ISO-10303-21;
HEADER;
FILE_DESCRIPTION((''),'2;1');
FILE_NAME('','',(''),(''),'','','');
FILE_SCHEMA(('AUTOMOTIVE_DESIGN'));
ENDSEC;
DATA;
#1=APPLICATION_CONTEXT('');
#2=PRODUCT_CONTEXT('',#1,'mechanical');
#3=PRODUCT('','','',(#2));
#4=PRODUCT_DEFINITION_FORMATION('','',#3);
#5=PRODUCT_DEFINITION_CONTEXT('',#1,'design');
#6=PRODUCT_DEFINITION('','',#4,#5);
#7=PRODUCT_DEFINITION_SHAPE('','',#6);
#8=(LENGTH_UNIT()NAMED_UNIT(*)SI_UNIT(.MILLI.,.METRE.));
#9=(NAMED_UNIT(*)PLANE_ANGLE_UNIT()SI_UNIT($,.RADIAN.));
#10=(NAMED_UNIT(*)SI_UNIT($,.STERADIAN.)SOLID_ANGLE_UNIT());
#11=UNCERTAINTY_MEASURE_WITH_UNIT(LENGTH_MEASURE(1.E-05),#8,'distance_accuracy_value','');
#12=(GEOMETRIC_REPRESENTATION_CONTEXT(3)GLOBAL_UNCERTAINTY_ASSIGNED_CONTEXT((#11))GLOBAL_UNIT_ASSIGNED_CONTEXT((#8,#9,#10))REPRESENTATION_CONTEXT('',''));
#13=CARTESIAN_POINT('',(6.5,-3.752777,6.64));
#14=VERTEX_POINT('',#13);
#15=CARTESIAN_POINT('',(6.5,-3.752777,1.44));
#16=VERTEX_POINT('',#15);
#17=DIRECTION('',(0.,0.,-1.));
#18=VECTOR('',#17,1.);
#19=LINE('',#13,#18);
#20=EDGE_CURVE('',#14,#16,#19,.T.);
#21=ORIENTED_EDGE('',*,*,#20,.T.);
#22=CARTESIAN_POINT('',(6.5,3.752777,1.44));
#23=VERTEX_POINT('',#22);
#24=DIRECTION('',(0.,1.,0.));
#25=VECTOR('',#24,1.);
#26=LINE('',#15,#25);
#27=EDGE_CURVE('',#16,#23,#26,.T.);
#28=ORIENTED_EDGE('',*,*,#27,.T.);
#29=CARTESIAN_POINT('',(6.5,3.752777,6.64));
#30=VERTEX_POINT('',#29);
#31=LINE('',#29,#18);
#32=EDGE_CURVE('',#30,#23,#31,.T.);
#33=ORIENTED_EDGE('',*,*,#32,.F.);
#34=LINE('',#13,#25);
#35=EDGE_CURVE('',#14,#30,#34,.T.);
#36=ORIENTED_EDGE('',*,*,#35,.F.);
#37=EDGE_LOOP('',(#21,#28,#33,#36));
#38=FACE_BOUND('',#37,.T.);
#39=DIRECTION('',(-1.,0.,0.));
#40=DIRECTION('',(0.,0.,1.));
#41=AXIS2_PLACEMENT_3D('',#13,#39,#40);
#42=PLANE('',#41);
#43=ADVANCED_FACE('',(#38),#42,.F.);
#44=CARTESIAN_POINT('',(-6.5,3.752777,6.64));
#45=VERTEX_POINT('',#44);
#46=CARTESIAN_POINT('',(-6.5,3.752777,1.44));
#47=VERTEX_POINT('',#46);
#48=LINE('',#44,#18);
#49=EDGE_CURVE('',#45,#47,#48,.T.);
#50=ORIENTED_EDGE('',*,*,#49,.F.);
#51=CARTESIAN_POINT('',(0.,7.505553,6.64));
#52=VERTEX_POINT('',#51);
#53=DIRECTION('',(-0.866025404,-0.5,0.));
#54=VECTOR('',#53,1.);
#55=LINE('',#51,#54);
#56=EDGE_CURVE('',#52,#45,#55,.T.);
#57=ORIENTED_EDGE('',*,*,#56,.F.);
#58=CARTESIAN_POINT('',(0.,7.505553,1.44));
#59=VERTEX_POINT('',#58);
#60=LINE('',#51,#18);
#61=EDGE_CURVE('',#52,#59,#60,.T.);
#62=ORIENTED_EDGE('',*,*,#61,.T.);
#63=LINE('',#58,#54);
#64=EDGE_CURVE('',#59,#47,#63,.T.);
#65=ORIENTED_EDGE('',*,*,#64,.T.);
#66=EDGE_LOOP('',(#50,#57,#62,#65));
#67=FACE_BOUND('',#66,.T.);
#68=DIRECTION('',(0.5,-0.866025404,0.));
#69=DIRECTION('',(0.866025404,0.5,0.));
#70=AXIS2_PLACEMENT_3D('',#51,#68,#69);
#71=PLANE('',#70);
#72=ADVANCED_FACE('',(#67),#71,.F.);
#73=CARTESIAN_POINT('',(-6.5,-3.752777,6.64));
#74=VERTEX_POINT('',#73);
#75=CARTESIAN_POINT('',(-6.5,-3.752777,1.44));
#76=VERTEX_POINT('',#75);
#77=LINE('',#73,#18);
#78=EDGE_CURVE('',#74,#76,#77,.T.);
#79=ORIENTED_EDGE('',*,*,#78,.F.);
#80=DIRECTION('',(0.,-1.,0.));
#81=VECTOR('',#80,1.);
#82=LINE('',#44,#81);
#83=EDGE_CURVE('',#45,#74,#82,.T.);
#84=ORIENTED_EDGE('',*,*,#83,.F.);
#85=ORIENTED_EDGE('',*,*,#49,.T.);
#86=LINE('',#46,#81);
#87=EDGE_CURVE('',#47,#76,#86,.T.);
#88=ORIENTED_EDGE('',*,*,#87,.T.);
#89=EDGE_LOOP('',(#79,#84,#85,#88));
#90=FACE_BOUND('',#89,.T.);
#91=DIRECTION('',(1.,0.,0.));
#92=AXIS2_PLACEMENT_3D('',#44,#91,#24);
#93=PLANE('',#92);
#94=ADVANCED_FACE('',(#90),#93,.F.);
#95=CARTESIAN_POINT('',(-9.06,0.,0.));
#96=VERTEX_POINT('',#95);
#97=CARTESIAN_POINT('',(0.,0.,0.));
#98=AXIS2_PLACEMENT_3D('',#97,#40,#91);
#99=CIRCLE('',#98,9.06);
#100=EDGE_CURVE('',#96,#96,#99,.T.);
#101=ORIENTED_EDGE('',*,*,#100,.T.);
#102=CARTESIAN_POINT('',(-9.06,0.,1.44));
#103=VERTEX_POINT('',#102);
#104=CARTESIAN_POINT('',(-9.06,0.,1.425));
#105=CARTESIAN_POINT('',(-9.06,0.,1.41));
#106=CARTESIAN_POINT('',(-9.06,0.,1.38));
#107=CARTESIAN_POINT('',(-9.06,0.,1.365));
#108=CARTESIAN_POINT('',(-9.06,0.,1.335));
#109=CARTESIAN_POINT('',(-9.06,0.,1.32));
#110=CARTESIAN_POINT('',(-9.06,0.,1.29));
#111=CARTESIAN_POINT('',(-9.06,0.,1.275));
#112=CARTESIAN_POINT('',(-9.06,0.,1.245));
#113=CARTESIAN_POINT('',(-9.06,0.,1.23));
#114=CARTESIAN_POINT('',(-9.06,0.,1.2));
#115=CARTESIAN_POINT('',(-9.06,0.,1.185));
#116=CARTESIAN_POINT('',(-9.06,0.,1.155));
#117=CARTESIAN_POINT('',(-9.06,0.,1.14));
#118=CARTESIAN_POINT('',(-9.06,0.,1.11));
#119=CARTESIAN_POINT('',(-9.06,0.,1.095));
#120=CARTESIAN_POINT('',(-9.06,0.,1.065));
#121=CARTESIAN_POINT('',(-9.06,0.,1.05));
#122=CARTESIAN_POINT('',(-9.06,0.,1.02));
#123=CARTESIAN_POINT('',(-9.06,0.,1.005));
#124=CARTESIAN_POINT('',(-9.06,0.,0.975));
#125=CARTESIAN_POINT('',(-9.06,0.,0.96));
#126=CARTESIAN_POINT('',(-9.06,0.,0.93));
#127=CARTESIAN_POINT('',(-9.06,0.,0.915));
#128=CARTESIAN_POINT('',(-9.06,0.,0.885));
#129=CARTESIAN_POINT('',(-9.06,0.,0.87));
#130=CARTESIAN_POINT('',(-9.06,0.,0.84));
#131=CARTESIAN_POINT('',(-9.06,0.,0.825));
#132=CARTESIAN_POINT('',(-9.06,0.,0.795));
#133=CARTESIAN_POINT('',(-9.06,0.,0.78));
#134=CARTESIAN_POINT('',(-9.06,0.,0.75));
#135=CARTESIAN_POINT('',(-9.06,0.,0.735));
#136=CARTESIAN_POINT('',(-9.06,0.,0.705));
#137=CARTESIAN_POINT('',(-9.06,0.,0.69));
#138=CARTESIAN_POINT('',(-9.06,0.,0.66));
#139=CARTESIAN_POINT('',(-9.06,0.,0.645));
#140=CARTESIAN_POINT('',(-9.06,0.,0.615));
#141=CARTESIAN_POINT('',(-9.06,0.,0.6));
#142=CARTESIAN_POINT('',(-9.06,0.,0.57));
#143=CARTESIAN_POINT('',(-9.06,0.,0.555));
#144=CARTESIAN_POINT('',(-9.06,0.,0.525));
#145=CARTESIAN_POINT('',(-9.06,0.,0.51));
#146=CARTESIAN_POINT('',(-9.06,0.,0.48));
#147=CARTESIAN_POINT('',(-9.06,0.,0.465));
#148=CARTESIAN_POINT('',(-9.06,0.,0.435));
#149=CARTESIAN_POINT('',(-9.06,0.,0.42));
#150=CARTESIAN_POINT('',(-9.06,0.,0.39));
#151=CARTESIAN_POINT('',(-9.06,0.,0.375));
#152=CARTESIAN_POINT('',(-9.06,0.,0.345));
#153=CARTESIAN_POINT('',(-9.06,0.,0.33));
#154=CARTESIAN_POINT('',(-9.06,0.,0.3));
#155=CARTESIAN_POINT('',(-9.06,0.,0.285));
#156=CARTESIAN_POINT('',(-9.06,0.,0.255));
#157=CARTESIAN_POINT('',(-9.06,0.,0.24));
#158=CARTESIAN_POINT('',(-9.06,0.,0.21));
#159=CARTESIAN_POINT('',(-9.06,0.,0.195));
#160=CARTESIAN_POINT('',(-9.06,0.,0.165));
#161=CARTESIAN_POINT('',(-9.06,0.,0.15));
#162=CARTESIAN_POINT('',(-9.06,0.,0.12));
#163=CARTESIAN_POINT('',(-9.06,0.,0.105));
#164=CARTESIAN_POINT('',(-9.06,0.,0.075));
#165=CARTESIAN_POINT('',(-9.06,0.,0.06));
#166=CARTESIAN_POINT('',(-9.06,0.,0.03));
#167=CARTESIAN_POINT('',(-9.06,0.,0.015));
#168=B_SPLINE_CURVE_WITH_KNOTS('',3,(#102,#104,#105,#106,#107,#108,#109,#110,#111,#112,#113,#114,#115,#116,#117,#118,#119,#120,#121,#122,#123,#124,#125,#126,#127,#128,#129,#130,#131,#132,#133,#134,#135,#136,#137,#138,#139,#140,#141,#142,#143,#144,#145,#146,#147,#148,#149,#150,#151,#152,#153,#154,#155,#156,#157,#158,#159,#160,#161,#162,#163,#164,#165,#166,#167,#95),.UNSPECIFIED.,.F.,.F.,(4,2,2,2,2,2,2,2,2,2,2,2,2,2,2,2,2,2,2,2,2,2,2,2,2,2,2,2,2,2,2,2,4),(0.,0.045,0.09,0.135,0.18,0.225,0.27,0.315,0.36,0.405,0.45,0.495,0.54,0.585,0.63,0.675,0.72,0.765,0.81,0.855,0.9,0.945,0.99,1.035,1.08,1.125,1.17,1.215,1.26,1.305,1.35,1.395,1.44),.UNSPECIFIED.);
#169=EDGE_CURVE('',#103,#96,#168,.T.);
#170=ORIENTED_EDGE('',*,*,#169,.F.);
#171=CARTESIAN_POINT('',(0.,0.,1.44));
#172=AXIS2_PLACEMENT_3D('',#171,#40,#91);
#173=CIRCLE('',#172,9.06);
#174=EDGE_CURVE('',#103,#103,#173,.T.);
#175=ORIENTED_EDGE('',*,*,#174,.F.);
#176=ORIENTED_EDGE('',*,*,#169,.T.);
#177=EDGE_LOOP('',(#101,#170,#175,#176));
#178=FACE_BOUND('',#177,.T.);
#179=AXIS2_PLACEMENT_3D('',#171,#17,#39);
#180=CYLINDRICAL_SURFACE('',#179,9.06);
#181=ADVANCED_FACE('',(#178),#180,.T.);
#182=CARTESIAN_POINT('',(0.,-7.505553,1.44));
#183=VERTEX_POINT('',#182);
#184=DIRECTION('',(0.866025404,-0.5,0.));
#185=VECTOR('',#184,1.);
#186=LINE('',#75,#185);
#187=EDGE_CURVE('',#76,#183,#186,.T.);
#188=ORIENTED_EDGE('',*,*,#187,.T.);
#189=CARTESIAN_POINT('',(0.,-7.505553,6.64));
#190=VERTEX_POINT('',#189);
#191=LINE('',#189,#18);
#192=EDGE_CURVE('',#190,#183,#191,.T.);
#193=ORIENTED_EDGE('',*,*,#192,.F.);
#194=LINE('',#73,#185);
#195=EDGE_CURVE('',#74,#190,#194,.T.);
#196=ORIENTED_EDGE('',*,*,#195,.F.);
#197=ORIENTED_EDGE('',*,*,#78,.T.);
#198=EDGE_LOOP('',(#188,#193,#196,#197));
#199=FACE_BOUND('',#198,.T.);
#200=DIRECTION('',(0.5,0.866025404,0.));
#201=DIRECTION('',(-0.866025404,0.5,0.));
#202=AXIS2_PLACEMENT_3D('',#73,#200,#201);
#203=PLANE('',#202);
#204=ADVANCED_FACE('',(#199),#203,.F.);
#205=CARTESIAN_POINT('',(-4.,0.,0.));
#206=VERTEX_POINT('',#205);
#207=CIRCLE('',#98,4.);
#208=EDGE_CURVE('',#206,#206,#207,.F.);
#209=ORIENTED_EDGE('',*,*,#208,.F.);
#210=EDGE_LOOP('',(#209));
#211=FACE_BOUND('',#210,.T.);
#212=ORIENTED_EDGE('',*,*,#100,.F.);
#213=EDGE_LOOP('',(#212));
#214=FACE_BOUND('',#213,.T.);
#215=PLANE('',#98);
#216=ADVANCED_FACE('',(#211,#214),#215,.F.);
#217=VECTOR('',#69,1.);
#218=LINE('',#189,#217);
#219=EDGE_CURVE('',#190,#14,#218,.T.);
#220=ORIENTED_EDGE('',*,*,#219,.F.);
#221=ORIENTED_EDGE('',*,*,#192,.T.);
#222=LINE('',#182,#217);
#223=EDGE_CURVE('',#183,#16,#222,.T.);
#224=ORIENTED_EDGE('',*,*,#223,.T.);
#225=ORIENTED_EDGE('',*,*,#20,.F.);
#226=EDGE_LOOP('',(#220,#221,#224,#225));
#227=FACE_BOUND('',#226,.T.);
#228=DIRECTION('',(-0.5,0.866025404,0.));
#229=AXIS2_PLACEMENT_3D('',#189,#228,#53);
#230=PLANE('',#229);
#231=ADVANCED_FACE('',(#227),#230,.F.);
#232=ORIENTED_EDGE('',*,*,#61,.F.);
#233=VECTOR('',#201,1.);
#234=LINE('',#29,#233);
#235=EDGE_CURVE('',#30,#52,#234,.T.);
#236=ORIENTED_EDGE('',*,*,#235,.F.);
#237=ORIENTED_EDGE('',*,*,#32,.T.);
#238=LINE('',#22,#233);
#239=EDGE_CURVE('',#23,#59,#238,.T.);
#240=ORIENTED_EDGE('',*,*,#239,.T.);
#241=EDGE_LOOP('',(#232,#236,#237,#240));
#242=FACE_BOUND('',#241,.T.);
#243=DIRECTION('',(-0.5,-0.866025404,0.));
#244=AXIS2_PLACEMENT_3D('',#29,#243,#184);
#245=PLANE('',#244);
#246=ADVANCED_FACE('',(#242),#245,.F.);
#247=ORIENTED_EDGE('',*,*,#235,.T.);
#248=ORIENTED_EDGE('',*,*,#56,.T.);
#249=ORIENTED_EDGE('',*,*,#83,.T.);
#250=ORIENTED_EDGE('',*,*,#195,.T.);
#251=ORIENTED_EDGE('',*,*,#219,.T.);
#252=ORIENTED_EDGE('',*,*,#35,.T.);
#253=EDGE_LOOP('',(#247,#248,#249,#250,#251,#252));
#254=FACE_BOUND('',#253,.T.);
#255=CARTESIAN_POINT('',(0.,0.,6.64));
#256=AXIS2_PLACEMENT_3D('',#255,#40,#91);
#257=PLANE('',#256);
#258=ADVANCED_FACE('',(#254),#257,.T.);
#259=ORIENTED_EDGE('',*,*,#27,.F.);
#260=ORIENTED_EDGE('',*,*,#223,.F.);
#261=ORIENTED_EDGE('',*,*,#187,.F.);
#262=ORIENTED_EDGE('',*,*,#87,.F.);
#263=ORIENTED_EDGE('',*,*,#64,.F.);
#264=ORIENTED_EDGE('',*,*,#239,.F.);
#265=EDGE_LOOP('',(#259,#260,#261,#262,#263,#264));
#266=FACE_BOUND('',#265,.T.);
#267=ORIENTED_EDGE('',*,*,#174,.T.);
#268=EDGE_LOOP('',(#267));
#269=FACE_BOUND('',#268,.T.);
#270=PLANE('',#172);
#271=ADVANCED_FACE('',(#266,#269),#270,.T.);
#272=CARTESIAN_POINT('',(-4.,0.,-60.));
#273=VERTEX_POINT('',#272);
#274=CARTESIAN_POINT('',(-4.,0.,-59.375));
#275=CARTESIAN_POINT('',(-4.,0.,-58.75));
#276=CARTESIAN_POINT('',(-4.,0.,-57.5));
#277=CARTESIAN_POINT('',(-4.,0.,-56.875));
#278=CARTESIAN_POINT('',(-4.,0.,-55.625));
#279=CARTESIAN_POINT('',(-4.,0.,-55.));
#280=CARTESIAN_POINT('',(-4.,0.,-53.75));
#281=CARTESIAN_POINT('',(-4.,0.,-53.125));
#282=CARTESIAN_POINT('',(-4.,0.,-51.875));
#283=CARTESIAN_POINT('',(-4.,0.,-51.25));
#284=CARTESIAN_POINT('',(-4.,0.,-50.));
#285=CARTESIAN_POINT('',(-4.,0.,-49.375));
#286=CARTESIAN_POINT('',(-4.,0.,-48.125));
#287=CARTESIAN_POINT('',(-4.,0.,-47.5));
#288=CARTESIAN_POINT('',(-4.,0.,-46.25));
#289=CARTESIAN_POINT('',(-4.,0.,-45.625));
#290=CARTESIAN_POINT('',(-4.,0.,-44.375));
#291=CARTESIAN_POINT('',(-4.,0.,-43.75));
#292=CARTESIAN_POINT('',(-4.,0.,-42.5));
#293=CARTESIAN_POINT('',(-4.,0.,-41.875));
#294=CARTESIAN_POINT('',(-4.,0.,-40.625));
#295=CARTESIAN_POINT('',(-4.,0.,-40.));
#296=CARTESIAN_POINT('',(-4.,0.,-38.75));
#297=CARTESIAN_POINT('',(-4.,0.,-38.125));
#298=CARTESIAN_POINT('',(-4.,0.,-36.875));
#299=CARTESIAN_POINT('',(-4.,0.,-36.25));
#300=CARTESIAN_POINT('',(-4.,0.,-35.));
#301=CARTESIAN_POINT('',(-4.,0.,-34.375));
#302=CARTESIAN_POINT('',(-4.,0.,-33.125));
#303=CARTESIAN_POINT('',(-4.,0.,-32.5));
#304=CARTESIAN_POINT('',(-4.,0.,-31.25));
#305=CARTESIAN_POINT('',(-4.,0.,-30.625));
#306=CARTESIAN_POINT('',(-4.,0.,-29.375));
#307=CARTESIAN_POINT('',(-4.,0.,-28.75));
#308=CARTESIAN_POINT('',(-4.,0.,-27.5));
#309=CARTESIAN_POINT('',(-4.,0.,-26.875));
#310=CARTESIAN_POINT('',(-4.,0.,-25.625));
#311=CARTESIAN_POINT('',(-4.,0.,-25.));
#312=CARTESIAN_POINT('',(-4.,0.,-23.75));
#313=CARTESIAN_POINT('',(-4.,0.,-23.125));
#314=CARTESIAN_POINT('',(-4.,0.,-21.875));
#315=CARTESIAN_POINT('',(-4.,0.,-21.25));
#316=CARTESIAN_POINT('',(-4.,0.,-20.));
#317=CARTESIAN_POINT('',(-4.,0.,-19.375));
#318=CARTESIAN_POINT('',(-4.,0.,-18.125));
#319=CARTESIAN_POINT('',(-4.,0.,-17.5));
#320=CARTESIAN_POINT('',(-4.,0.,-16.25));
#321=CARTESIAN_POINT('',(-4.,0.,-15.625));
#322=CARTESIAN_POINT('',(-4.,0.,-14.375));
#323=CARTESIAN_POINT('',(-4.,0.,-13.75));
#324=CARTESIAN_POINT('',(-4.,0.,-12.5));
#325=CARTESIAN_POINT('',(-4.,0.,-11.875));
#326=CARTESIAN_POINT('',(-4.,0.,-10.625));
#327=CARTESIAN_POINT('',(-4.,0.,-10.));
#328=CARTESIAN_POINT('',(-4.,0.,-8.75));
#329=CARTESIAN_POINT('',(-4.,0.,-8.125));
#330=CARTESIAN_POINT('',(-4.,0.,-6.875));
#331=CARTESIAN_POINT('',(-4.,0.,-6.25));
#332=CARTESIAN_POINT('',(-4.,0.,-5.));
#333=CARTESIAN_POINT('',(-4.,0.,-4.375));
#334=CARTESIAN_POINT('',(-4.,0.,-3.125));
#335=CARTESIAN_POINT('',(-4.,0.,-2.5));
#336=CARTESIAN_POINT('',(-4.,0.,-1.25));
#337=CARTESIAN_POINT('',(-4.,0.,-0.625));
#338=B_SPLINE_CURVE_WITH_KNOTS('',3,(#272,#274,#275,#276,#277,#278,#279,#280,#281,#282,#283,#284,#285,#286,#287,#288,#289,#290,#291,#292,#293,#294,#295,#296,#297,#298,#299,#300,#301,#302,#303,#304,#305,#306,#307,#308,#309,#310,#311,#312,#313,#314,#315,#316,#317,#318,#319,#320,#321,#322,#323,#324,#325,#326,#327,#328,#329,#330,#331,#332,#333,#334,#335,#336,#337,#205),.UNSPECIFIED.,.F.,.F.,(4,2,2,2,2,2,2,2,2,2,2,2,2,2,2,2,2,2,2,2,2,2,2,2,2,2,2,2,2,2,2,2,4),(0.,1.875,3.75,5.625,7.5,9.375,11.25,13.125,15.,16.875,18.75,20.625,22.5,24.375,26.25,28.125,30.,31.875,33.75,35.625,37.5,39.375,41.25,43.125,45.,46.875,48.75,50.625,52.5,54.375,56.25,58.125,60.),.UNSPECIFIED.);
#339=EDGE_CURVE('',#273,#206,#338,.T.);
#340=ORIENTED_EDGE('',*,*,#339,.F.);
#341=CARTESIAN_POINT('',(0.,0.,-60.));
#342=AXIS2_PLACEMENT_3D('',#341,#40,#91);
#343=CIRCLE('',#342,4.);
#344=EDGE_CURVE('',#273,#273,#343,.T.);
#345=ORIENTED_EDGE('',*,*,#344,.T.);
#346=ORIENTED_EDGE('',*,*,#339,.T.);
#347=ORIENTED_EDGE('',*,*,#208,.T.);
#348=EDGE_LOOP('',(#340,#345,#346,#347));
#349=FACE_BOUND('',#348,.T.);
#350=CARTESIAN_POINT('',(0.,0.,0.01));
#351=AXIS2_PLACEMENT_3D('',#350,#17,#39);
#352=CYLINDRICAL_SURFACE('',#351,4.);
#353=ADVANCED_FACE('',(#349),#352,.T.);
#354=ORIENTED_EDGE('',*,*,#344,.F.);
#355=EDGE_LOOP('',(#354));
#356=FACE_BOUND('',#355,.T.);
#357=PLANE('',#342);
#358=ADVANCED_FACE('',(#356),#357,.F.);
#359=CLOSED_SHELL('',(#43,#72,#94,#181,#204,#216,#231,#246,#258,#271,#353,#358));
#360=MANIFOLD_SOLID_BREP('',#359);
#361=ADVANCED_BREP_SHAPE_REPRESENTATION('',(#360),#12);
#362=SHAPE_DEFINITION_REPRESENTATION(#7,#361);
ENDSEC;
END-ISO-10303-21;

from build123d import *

# Parameters (mm, degrees)
EXTRUDE_SKETCH_1_R = 9.06
EXTRUDE_1_DEPTH    = 1.44
EXTRUDE_START      = 1.44
EXTRUDE_2_DEPTH    = 5.2
EXTRUDE_START_2    = -60
EXTRUDE_SKETCH_3_R = 4
EXTRUDE_3_DEPTH    = 60.01


with BuildPart() as part:
    # Extrude sketch 1 → Extrude 1 (new body)
    with BuildSketch(Plane.XY):
        Circle(EXTRUDE_SKETCH_1_R)
    extrude(amount=EXTRUDE_1_DEPTH)


with BuildPart() as body_2:
    # Extrude sketch 2 → Extrude 2 (new body)
    with BuildSketch(Plane.XY.offset(EXTRUDE_START)):
        Polygon((6.5, 3.75277675), (0, 7.505553499), (-6.5, 3.75277675), (-6.5, -3.75277675), (0, -7.505553499), (6.5, -3.75277675), align=None)
    extrude(amount=EXTRUDE_2_DEPTH)


with BuildPart() as body_3:
    # Extrude sketch 3 → Extrude 3 (new body)
    with BuildSketch(Plane.XY.offset(EXTRUDE_START_2)):
        Circle(EXTRUDE_SKETCH_3_R)
    extrude(amount=EXTRUDE_3_DEPTH)


with BuildPart() as body_2_1:
    add(body_2.part)

    # Combine (weld / assembly of features): union part, body 3
    add(part.part)
    add(body_3.part)


solid = body_2_1.part
